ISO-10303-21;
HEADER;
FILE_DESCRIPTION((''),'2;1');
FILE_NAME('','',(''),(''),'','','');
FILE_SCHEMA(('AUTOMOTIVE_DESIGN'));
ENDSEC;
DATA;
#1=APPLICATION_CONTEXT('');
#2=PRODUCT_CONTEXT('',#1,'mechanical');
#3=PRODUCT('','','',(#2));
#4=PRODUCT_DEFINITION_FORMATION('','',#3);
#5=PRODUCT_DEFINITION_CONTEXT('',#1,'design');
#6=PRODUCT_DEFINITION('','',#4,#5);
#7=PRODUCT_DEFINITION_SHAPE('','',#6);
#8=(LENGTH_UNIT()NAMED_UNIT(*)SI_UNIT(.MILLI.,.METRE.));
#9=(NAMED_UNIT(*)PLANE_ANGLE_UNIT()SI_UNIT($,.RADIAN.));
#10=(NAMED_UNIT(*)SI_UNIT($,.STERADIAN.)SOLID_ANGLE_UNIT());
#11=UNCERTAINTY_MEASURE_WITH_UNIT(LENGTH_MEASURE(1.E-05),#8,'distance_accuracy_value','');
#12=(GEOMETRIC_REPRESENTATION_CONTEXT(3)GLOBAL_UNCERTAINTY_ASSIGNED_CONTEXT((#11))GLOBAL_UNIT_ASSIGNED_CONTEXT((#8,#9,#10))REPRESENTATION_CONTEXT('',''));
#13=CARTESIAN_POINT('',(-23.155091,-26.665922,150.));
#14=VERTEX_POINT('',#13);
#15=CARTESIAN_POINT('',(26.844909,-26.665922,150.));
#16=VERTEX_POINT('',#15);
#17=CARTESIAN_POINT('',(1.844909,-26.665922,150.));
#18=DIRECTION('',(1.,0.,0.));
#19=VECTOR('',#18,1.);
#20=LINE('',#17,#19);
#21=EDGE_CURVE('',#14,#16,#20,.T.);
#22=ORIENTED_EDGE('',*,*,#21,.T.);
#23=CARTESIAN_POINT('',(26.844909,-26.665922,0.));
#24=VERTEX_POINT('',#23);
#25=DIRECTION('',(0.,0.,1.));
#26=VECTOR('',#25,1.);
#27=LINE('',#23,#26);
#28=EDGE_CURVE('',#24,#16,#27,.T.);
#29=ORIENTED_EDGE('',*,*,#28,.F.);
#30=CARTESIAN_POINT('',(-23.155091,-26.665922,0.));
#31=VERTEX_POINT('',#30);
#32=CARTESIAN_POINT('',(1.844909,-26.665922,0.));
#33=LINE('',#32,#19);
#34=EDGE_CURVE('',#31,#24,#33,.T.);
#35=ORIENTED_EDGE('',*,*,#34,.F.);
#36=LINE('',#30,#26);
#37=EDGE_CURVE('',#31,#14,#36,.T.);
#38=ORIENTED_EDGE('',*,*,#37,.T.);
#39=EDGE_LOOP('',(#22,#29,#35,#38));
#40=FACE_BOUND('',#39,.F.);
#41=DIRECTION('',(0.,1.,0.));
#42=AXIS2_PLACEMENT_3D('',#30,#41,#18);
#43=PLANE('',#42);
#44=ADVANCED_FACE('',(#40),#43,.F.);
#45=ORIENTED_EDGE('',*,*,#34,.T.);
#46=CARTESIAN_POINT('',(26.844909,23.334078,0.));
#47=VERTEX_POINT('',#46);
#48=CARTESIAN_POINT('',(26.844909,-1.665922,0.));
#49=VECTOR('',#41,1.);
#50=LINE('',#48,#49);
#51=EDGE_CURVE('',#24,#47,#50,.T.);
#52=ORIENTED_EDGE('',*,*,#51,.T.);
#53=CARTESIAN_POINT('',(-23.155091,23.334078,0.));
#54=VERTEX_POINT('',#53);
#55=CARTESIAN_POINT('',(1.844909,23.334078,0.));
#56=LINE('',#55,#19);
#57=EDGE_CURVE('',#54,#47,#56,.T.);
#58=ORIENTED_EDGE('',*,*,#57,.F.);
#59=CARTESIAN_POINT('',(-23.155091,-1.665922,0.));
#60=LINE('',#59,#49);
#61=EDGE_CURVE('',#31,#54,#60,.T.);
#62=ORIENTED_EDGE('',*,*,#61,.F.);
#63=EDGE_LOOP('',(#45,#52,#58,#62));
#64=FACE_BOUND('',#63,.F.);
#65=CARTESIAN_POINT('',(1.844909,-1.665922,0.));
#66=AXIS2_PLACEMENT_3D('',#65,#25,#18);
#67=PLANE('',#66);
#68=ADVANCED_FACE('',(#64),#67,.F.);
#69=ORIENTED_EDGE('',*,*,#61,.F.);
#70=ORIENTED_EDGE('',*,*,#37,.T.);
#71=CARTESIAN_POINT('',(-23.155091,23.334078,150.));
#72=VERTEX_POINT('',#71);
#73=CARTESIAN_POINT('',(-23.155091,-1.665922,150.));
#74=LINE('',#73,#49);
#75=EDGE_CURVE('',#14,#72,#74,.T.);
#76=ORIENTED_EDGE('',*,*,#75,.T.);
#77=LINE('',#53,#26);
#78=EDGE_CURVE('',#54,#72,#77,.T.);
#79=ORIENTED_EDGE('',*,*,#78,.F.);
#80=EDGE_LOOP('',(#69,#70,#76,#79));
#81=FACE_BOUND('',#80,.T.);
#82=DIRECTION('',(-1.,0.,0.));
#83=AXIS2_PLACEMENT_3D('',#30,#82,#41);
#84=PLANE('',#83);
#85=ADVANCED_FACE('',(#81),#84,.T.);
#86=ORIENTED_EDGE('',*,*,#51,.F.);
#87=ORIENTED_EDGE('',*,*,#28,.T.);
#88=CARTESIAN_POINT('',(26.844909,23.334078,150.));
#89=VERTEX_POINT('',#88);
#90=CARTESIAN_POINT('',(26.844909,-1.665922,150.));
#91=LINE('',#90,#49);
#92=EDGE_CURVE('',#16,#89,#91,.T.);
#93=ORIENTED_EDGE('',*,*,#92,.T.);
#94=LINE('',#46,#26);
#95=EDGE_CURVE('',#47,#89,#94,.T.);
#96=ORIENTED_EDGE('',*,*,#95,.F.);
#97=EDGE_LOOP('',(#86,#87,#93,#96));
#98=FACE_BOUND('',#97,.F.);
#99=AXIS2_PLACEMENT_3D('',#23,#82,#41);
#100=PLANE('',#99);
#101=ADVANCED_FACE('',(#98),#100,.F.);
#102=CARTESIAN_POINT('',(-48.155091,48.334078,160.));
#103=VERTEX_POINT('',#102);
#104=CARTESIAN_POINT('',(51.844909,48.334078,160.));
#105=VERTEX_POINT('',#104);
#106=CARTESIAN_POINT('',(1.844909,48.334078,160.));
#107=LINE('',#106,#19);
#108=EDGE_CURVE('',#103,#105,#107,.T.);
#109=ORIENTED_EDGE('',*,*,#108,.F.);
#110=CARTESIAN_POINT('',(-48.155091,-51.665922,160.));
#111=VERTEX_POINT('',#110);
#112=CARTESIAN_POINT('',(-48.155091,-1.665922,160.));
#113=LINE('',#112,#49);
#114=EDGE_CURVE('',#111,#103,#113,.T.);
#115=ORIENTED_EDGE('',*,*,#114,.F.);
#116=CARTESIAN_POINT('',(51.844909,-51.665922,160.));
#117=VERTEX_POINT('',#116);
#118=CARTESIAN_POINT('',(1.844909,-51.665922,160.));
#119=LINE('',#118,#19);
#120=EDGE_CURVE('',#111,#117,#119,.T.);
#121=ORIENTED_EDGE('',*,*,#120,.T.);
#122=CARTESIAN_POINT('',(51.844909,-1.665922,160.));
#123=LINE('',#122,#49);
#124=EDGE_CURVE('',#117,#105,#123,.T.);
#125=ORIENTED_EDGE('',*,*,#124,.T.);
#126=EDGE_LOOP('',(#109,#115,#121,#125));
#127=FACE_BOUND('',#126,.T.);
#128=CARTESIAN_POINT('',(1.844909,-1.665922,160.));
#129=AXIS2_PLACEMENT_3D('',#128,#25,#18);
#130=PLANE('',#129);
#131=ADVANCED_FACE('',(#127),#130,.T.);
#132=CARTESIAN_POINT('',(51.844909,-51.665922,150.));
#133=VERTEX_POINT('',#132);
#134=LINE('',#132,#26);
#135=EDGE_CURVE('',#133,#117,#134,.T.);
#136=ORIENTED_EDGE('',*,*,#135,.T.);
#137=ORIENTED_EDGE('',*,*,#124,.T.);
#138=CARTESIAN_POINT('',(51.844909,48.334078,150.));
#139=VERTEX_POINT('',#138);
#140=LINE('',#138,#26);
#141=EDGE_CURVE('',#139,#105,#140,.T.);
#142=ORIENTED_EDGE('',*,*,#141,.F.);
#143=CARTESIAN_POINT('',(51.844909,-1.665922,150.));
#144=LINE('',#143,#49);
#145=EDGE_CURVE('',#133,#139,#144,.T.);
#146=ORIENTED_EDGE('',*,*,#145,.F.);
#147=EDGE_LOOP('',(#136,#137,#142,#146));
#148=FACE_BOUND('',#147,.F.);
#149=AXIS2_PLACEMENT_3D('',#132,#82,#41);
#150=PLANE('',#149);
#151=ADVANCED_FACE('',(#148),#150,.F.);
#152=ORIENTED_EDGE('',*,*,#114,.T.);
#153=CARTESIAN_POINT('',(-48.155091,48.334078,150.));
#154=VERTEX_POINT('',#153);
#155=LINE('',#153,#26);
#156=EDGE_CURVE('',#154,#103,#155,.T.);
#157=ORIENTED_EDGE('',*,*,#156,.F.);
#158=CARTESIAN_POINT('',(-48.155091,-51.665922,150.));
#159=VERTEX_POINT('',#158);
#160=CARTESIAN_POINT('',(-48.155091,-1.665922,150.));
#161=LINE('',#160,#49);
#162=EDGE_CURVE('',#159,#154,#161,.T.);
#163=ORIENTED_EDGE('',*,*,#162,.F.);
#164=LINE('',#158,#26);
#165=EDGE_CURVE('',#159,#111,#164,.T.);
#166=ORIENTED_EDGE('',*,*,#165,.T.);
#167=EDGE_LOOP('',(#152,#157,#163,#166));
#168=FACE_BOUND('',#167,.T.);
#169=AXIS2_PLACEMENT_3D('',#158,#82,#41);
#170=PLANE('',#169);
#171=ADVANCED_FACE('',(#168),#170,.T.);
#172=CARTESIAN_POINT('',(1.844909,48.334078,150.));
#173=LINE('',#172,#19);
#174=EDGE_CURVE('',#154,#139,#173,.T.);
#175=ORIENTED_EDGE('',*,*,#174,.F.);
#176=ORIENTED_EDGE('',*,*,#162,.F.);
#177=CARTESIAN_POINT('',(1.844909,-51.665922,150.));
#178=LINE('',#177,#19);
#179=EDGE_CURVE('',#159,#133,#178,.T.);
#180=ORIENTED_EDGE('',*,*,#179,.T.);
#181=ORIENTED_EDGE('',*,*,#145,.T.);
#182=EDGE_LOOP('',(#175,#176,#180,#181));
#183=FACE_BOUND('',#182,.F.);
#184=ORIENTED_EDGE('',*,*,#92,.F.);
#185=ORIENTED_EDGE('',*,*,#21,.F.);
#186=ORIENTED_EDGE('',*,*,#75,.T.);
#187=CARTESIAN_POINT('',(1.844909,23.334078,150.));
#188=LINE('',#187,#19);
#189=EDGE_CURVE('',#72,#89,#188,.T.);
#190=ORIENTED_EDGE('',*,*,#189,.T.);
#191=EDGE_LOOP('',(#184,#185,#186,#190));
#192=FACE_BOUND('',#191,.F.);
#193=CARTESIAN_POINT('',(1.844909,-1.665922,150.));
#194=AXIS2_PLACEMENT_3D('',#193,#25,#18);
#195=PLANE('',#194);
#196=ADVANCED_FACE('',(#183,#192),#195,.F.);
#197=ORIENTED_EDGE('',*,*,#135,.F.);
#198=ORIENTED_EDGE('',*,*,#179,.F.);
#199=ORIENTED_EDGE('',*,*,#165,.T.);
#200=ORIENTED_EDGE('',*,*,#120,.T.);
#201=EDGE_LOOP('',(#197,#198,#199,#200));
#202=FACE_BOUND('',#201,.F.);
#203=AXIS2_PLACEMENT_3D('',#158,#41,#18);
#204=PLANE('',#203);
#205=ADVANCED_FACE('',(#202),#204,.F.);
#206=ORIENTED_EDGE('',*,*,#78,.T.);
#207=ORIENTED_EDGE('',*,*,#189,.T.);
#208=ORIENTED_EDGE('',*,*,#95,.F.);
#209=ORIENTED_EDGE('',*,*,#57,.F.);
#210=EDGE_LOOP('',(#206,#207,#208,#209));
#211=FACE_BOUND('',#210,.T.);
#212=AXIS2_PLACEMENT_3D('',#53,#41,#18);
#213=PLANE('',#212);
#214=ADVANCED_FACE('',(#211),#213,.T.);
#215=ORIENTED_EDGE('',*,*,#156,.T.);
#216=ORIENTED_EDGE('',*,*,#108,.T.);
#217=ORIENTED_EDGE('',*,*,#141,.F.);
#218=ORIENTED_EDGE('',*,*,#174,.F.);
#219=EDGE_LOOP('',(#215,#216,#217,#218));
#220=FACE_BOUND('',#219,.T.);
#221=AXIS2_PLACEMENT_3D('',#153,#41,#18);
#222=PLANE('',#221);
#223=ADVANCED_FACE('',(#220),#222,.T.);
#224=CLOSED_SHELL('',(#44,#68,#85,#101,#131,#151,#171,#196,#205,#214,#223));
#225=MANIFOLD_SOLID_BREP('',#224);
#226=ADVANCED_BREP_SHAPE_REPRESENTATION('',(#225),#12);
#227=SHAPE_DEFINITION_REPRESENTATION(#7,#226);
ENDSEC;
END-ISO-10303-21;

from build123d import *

# Parameters (mm, degrees)
F0_W     = 50
F0_H     = 50
F1_DEPTH = 150
F2_W     = 100
F2_H     = 100
F2_W_2   = 80
F2_H_2   = 80
F2_W_3   = 50
F2_H_3   = 50
F3_DEPTH = 10


with BuildPart() as f1:
    # F0 (on Top) → F1 (new body)
    with BuildSketch(Plane.XY):
        with Locations((1.8449090421, -1.6659224604)):
            Rectangle(F0_W, F0_H)
    extrude(amount=F1_DEPTH)

    # F2 (on face) → F3 (join)
    with BuildSketch(Plane.XY.offset(150)):
        with Locations((1.8449090421, -1.6659224604)):
            Rectangle(F2_W, F2_H)
        with Locations((1.8449090421, -1.6659224604)):
            Rectangle(F2_W_2, F2_H_2, mode=Mode.SUBTRACT)
        with Locations((1.8449090421, -1.6659224604)):
            Rectangle(F2_W_2, F2_H_2)
        with Locations((1.8449090421, -1.6659224604)):
            Rectangle(F2_W_3, F2_H_3, mode=Mode.SUBTRACT)
        with Locations((1.8449090421, -1.6659224604)):
            Rectangle(F2_W_3, F2_H_3)
    extrude(amount=F3_DEPTH)


solid = f1.part
